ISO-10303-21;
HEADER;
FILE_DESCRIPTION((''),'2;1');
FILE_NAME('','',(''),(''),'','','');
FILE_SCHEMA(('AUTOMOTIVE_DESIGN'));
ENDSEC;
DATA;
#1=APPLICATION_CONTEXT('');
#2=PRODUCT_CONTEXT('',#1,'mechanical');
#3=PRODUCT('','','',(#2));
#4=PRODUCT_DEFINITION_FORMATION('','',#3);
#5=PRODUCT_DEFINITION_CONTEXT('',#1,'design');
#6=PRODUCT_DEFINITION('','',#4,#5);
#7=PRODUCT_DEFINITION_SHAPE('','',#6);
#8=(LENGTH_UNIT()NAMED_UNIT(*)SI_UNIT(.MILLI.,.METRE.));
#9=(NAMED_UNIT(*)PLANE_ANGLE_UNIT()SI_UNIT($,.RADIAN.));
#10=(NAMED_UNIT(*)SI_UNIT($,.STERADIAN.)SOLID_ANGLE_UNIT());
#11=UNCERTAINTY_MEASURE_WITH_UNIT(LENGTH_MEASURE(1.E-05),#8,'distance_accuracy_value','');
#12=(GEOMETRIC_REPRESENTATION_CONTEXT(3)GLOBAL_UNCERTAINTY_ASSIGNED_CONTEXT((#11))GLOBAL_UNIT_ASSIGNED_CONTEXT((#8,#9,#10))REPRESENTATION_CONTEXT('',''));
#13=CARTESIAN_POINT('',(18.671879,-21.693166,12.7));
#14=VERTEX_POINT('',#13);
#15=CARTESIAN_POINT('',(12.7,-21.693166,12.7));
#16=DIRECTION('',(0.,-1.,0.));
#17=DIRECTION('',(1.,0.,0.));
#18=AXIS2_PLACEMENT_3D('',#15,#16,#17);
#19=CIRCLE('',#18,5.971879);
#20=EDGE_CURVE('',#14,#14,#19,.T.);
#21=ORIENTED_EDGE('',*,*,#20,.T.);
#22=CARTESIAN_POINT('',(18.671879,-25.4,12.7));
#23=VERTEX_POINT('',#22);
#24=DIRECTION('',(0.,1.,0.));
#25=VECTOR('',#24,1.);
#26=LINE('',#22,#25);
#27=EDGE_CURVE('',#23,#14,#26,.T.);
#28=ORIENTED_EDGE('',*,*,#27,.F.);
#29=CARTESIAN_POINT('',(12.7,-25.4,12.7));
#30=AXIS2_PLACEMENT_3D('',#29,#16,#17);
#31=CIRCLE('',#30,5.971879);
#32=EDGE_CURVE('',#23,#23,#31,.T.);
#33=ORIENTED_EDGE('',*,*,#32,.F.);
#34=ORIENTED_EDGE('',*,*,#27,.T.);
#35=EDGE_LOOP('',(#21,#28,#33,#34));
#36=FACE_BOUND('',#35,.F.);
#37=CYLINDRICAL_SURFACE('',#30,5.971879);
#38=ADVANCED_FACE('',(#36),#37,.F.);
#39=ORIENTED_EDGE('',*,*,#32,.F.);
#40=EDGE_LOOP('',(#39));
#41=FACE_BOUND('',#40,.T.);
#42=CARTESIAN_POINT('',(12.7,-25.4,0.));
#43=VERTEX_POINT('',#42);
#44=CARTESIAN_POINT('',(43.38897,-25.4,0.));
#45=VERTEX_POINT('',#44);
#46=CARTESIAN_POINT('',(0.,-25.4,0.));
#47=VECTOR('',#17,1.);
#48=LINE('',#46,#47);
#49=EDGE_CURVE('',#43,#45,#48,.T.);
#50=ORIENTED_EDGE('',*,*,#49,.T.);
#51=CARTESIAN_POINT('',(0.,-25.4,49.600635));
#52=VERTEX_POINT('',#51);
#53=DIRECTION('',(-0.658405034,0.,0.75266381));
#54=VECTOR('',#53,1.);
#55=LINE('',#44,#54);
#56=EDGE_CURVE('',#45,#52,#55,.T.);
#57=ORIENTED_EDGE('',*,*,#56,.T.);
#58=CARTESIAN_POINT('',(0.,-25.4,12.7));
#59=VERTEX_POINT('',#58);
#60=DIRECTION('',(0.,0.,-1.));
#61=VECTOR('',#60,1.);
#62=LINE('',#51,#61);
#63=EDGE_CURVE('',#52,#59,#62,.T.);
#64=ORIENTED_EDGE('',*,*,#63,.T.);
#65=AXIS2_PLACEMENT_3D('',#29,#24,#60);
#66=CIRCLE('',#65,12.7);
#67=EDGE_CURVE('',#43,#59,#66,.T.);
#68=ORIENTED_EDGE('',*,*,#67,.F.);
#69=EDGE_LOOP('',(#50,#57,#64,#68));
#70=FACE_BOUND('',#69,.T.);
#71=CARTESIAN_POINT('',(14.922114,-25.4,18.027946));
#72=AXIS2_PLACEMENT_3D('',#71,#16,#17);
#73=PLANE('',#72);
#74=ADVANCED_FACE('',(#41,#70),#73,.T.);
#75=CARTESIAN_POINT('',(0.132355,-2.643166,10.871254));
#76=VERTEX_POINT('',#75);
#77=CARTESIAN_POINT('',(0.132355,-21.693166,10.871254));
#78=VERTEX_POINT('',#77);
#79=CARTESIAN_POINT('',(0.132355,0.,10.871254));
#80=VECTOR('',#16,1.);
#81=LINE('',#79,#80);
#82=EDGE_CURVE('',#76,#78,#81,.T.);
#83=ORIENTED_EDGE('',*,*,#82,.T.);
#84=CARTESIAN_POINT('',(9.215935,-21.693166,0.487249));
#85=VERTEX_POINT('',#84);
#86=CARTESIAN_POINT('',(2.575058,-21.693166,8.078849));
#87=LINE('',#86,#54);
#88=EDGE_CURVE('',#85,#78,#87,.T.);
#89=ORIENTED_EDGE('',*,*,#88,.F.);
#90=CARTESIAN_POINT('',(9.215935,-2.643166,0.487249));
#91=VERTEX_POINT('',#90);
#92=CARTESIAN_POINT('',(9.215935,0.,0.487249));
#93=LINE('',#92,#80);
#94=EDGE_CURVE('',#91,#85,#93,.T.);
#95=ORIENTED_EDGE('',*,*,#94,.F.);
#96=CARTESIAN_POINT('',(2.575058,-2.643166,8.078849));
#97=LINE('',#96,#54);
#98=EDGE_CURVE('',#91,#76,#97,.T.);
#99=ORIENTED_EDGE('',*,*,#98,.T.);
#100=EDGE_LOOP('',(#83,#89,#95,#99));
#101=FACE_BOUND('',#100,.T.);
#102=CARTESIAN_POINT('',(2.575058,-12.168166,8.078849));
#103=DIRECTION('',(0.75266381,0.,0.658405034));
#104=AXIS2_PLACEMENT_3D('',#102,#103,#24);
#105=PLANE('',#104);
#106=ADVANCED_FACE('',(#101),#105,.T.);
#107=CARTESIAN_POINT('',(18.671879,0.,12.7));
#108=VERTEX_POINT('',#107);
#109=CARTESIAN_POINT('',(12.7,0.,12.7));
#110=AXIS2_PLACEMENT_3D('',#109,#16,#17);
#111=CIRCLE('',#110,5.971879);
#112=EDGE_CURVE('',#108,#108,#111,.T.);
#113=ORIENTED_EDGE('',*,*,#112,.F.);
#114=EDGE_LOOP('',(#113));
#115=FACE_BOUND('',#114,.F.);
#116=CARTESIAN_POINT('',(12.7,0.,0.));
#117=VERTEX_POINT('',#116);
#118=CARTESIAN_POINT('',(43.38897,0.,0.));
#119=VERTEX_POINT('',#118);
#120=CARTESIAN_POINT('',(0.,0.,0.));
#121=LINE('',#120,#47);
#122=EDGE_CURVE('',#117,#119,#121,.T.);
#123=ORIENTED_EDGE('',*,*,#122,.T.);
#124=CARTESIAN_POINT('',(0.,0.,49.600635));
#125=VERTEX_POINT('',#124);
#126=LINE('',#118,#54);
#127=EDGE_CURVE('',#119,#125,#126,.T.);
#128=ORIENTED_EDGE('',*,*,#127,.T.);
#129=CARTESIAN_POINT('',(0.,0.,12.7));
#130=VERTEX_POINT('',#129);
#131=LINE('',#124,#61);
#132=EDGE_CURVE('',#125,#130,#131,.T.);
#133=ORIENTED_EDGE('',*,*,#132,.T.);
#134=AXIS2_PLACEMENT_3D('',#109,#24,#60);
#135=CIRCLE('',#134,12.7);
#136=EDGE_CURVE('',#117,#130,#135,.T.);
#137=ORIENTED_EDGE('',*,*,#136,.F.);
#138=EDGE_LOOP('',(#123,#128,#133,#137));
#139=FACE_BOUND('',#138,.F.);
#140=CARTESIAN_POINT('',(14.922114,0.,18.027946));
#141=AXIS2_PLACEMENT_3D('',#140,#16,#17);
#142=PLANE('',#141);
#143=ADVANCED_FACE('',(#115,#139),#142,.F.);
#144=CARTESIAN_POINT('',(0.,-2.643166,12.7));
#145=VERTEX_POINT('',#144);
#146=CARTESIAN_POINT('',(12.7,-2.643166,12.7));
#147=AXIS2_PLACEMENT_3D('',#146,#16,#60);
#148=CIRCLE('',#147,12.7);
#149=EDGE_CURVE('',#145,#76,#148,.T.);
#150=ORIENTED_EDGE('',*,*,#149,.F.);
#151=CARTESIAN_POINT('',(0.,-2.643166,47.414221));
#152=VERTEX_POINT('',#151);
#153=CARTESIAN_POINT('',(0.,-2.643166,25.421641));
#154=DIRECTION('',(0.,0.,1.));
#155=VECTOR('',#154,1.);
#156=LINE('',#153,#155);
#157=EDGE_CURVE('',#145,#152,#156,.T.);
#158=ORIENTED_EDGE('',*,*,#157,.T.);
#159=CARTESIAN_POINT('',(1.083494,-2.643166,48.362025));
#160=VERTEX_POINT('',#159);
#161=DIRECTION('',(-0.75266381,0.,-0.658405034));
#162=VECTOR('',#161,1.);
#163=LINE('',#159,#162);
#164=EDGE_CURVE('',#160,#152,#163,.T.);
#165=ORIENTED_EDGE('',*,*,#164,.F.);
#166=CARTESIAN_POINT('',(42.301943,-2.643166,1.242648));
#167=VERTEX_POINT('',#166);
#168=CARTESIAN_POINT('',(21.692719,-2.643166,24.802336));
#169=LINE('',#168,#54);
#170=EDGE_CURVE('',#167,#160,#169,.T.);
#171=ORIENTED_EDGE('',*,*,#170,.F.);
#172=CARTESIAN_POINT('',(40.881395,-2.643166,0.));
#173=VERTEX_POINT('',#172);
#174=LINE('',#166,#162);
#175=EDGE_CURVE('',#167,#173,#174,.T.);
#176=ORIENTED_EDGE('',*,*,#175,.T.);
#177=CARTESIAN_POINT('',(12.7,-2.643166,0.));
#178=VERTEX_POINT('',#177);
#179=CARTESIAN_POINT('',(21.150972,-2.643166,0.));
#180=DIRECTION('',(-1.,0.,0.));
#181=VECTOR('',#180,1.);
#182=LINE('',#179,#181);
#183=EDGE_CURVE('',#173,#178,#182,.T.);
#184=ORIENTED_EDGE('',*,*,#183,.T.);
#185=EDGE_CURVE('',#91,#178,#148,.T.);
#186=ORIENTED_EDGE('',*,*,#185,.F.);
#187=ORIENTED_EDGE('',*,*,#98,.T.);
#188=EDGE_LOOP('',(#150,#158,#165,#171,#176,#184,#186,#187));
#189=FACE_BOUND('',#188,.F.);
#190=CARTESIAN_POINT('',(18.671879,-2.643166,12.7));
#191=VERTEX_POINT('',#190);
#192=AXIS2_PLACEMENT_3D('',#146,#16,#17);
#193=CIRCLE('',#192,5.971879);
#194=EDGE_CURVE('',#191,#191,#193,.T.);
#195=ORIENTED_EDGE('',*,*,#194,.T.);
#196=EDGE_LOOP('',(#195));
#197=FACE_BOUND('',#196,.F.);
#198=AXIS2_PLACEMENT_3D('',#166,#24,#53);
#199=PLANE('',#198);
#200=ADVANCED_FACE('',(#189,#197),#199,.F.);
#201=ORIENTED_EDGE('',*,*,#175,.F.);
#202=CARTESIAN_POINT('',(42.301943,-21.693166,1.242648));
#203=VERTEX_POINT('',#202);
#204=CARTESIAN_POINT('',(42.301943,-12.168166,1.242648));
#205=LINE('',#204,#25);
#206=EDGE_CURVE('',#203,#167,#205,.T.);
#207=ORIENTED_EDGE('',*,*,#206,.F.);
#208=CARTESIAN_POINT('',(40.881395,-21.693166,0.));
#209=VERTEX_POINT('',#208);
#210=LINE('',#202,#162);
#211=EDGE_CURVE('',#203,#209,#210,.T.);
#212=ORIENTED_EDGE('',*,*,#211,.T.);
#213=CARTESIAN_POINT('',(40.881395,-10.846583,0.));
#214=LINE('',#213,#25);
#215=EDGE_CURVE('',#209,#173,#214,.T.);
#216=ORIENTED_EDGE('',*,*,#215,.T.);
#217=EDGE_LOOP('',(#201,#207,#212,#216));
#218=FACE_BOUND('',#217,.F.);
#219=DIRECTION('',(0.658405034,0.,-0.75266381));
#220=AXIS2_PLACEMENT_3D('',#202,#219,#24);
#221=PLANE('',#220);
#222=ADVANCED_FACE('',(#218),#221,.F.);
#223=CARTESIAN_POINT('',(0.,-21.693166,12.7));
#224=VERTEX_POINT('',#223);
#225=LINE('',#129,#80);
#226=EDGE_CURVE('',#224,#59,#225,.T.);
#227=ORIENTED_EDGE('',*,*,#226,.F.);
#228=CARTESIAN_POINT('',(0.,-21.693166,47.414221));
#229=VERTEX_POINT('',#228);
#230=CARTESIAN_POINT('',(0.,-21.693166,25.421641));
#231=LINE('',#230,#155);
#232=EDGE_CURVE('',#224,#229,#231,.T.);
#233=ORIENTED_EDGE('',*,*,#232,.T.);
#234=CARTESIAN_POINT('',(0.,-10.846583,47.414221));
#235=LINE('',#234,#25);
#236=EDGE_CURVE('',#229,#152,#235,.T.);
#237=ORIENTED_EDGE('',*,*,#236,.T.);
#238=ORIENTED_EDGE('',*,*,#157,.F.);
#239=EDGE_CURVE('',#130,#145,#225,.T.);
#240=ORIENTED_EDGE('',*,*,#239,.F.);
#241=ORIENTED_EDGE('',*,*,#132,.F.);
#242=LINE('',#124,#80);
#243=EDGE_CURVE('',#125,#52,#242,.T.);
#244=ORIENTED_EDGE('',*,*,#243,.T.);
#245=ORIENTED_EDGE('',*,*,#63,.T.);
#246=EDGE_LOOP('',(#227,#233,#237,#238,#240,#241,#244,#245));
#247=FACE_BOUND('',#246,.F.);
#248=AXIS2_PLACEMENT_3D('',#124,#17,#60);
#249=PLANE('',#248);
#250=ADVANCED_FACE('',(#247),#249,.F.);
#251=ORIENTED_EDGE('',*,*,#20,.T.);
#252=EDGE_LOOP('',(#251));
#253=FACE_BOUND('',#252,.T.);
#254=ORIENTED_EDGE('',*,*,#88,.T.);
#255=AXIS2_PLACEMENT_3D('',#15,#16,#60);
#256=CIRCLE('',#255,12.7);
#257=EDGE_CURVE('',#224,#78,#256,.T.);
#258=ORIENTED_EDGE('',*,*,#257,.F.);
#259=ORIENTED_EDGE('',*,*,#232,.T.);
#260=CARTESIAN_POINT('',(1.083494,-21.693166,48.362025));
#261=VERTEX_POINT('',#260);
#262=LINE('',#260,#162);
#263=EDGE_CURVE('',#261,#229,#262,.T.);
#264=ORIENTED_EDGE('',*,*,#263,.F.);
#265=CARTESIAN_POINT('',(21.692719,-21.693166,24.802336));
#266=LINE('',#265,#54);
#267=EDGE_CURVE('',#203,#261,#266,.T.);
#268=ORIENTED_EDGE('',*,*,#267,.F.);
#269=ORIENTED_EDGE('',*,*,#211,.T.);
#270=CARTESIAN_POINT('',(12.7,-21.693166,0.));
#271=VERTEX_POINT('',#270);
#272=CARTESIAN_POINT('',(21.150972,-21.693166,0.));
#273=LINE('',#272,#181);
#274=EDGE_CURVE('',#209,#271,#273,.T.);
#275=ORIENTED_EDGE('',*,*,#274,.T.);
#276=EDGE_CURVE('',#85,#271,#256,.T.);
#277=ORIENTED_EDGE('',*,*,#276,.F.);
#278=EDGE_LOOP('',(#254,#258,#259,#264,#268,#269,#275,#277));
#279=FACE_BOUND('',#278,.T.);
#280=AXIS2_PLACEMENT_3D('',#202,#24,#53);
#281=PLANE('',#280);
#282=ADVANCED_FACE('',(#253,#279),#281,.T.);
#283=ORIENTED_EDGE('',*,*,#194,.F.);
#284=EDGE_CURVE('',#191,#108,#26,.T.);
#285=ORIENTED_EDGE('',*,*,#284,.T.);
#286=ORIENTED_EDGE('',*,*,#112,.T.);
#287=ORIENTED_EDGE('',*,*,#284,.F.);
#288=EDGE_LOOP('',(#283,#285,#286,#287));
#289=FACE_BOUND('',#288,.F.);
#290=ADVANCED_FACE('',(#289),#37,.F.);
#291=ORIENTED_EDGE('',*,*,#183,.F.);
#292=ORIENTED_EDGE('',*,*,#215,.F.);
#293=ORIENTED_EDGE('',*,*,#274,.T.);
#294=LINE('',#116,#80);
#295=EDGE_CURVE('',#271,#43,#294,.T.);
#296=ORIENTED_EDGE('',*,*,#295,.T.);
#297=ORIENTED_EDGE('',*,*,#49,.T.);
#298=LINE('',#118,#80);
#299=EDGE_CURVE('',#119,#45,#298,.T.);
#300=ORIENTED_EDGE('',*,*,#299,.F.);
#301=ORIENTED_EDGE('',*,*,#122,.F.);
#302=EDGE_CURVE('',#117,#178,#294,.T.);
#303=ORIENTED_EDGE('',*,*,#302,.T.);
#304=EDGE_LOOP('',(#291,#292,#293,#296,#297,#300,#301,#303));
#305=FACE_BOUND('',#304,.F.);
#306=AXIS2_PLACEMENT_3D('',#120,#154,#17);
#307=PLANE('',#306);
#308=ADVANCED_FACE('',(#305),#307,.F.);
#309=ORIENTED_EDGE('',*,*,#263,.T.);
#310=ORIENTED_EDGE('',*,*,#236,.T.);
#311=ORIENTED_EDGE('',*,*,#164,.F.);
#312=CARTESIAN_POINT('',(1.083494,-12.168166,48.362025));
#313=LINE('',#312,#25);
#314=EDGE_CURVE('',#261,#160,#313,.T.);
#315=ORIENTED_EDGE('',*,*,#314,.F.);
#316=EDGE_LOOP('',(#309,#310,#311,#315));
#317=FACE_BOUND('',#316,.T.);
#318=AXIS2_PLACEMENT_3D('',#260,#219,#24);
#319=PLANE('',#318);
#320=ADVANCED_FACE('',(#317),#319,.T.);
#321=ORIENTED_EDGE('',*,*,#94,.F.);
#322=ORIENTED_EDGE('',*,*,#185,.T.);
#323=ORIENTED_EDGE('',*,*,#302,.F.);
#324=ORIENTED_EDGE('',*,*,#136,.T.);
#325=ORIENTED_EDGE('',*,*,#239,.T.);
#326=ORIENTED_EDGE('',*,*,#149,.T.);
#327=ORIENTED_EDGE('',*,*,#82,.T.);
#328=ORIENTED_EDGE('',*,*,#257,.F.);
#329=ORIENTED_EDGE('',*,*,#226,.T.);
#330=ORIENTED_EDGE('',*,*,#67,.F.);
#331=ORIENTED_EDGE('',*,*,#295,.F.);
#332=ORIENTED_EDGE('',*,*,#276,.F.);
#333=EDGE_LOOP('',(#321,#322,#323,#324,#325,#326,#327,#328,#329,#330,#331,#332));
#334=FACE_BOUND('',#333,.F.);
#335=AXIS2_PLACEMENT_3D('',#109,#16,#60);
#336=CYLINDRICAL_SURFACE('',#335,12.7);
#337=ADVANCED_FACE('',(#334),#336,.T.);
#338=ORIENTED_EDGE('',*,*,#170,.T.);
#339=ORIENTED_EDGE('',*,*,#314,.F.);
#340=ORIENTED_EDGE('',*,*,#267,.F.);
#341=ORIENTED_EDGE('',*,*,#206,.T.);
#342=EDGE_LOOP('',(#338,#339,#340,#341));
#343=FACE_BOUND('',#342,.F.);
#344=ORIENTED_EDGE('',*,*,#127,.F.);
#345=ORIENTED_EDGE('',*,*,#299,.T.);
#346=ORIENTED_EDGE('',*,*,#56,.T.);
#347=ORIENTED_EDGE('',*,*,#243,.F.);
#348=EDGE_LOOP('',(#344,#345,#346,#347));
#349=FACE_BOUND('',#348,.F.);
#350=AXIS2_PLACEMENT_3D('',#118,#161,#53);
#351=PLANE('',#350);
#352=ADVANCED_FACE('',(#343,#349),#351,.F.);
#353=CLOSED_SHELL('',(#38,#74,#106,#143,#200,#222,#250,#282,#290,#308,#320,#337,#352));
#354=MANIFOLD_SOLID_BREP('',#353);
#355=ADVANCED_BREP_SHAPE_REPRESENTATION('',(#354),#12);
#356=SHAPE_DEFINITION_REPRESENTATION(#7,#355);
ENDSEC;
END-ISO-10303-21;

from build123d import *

# Parameters (mm, degrees)
F1_DEPTH = 25.4
F2_R     = 12.7
F3_R     = 5.9718786186
F4_DEPTH = 25.401
F5_W     = 19.05
F5_H     = 62.6034842774
F6_DEPTH = 25.4


with BuildPart() as f1:
    # F0 (on Front) → F1 (new body)
    with BuildSketch(Plane.XZ):
        Polygon((0, 0), (43.3889701962, 0), (0, 49.6006347239), align=None)
    extrude(amount=F1_DEPTH)

    # F2
    f2_edges = [f1.edges().sort_by_distance(p)[0] for p in [
        (0, -12.7, 0),
    ]]
    fillet(f2_edges, radius=F2_R)

    # F3 (on face) → F4 (cut, through all)
    with BuildSketch(Plane.XZ.offset(25.4)):
        with Locations((12.7, 12.7)):
            Circle(F3_R)
    extrude(amount=-F4_DEPTH, mode=Mode.SUBTRACT)

    # F5 (on face) → F6 (cut)
    with BuildSketch(Plane(origin=(24.5799735671, 0, 21.5017357432), x_dir=(0, 1, 0), z_dir=(0.7526638098, 0, 0.6584050344))):
        with Locations((-12.1681662276, 4.3852257229)):
            Rectangle(F5_W, F5_H)
    extrude(amount=-F6_DEPTH, mode=Mode.SUBTRACT)


solid = f1.part
